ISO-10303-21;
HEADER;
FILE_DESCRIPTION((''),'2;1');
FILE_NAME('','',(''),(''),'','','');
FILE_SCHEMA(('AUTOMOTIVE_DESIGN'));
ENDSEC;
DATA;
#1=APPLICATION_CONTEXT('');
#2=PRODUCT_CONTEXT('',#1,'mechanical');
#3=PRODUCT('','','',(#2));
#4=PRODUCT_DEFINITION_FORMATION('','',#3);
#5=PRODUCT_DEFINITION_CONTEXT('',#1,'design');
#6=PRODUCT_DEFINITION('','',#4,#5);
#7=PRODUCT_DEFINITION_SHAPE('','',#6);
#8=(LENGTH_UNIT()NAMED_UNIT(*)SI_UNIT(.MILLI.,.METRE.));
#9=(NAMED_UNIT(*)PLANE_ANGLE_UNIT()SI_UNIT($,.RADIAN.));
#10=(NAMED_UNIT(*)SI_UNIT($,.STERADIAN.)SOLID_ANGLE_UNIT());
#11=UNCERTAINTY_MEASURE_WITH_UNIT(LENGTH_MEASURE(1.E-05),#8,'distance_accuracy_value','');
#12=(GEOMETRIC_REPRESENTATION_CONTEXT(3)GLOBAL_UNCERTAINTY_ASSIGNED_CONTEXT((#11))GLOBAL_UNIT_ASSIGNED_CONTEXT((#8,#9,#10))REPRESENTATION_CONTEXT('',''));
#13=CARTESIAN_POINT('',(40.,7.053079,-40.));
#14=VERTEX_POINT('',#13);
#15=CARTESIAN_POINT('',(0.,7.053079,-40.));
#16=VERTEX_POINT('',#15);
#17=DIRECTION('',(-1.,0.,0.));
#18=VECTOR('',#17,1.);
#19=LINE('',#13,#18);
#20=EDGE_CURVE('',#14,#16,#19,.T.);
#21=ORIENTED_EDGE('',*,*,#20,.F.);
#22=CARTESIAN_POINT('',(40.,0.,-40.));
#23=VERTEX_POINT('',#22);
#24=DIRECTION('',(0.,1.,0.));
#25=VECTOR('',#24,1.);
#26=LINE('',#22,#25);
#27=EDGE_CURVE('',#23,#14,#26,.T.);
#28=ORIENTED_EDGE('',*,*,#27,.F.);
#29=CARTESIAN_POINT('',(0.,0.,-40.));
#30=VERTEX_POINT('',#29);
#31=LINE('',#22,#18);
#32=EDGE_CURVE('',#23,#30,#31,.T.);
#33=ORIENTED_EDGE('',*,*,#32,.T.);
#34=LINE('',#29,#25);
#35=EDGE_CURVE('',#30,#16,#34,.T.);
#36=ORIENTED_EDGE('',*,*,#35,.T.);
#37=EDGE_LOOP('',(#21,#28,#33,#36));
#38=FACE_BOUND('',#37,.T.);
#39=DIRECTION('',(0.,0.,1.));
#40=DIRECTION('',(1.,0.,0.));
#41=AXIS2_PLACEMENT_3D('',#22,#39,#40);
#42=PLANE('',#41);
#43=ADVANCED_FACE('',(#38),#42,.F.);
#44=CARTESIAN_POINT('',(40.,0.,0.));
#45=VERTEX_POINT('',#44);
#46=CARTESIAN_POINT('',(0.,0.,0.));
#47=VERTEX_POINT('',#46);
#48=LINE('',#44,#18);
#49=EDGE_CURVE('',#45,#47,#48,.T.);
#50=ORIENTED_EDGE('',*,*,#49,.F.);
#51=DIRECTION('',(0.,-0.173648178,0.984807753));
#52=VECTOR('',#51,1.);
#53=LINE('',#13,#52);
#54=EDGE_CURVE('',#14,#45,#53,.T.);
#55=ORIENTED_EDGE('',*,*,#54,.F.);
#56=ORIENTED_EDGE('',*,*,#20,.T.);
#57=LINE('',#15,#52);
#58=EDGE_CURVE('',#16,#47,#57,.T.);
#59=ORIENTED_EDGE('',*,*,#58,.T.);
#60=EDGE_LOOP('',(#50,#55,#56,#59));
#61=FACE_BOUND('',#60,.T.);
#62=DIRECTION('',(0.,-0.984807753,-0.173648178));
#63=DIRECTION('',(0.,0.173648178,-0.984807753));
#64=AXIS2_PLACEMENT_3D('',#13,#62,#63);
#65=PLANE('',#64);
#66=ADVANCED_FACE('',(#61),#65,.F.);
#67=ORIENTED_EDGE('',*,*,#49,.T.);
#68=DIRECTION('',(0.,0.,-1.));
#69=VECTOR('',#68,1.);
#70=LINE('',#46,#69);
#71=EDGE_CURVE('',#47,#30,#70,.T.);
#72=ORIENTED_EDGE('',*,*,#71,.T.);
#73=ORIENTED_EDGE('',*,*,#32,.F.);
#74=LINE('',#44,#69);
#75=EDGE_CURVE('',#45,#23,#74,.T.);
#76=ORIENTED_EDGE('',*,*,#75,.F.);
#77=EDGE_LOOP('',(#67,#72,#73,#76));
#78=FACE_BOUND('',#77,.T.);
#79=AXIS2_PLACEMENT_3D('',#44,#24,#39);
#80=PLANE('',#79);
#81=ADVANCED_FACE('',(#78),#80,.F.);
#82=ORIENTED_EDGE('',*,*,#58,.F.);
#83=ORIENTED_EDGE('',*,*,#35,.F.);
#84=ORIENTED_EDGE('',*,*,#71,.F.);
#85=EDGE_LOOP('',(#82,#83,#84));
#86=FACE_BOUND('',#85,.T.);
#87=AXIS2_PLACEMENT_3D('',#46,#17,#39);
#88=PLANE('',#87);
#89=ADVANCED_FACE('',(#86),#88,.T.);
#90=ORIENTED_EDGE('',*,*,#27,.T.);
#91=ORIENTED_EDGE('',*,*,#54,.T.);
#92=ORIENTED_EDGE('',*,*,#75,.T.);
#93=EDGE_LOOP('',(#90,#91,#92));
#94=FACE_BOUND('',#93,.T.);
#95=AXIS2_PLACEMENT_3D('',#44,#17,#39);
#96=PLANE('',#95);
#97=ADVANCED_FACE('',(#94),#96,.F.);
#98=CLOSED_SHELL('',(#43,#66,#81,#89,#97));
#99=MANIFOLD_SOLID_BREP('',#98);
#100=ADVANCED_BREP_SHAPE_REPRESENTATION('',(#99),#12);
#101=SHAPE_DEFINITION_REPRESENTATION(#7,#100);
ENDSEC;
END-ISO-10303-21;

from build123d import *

# Parameters (mm, degrees)
BOSS_EXTRUDE2_DEPTH = 40


with BuildPart() as part:
    # Sketch4 → Boss-Extrude2 (new body)
    with BuildSketch(Plane(origin=(0, 0, 0), x_dir=(0, 0, -1), z_dir=(1, 0, 0))):
        Polygon((0, 0), (40, 0), (40, 7.053079228), align=None)
    extrude(amount=BOSS_EXTRUDE2_DEPTH)


solid = part.part
